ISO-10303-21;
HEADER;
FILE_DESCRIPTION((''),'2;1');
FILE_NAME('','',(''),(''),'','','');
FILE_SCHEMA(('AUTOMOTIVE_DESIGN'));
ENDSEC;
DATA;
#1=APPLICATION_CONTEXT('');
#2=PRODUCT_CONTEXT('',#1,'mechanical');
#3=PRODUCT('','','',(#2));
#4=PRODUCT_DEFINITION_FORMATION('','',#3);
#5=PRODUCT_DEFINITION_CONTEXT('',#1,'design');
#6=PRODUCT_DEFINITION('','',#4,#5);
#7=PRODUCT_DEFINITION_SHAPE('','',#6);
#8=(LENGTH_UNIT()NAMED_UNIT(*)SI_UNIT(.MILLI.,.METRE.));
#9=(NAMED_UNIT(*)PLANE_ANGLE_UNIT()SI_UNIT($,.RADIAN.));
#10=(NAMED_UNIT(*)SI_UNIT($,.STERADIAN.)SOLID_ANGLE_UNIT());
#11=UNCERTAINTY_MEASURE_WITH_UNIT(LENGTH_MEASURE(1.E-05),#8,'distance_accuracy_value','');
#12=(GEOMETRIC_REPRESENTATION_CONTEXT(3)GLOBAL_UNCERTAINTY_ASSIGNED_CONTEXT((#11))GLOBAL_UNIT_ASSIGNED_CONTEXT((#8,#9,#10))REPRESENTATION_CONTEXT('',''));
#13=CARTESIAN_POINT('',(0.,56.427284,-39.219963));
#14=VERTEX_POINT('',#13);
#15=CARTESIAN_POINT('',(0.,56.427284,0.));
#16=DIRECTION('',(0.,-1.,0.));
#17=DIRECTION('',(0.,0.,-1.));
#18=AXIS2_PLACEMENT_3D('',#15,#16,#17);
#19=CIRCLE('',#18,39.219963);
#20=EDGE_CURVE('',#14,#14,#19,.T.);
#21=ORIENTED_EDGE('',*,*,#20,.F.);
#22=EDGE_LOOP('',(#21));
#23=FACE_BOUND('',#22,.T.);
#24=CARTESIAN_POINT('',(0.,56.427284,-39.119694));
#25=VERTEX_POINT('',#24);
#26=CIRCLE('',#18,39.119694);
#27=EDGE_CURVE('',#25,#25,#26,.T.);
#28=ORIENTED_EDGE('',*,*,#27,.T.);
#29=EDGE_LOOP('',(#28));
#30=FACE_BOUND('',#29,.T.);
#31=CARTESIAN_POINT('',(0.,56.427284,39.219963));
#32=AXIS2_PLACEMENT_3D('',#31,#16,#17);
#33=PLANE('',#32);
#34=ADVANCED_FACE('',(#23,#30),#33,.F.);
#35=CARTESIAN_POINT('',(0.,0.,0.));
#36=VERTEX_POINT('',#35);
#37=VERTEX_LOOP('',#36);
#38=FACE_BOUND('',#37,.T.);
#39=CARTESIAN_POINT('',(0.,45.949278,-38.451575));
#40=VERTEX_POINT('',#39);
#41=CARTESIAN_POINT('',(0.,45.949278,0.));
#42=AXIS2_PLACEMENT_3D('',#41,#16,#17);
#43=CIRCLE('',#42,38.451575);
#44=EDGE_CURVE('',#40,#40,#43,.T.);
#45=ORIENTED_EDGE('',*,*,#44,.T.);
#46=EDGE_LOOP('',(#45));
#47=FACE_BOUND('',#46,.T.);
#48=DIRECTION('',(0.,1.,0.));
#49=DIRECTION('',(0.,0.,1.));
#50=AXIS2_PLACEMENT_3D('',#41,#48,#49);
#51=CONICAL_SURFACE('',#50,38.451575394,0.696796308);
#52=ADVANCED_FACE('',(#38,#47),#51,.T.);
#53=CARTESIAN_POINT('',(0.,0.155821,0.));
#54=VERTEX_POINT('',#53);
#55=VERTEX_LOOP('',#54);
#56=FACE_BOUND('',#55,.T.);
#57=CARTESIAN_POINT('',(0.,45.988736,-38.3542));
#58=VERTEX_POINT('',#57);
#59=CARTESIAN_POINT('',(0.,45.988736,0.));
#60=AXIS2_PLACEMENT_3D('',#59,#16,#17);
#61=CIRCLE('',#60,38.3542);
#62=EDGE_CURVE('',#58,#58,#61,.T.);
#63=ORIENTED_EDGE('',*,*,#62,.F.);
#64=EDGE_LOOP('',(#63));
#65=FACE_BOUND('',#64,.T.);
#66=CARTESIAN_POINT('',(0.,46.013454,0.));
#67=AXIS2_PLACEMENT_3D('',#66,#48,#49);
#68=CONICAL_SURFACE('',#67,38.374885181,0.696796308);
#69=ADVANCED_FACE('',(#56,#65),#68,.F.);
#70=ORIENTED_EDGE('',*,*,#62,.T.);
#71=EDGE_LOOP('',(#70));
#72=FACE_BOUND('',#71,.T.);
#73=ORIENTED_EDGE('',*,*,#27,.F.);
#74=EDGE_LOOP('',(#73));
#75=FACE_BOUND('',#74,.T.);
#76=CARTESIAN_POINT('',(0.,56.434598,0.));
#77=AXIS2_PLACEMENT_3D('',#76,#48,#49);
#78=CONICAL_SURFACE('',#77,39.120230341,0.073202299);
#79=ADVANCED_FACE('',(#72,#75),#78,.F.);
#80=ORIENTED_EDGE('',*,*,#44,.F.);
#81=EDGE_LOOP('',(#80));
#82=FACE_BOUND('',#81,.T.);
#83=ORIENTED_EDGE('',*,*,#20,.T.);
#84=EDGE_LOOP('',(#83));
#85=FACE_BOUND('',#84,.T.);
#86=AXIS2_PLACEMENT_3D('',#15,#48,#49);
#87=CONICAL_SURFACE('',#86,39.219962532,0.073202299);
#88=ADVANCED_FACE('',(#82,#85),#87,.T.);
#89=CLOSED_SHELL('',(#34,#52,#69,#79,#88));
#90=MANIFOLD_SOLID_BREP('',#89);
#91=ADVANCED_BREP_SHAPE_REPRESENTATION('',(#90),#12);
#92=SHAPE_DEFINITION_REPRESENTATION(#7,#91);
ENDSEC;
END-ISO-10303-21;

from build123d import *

# Parameters (mm, degrees)
SHELL1_T = -0.1


with BuildPart() as part:
    # Sketch2 → Revolve1 (revolve)
    with BuildSketch(Plane(origin=(0, 0, 0), x_dir=(0, 0, -1), z_dir=(1, 0, 0)), mode=Mode.PRIVATE) as revolve1_sk:
        Polygon((-39.219962532, 56.427283979), (-38.451575394, 45.949277561), (0, 0), (0, 56.427283979), align=None)
    revolve(revolve1_sk.sketch.rotate(Axis((0, 0, 0), (0, 1, 0)), 180), axis=Axis((0, 0, 0), (0, 1, 0)))

    # Shell1
    shell1_openings = [part.faces().sort_by_distance(p)[0] for p in [
        (0, 56.427283979, 0),
    ]]
    offset(amount=SHELL1_T, openings=shell1_openings, kind=Kind.INTERSECTION)


solid = part.part
